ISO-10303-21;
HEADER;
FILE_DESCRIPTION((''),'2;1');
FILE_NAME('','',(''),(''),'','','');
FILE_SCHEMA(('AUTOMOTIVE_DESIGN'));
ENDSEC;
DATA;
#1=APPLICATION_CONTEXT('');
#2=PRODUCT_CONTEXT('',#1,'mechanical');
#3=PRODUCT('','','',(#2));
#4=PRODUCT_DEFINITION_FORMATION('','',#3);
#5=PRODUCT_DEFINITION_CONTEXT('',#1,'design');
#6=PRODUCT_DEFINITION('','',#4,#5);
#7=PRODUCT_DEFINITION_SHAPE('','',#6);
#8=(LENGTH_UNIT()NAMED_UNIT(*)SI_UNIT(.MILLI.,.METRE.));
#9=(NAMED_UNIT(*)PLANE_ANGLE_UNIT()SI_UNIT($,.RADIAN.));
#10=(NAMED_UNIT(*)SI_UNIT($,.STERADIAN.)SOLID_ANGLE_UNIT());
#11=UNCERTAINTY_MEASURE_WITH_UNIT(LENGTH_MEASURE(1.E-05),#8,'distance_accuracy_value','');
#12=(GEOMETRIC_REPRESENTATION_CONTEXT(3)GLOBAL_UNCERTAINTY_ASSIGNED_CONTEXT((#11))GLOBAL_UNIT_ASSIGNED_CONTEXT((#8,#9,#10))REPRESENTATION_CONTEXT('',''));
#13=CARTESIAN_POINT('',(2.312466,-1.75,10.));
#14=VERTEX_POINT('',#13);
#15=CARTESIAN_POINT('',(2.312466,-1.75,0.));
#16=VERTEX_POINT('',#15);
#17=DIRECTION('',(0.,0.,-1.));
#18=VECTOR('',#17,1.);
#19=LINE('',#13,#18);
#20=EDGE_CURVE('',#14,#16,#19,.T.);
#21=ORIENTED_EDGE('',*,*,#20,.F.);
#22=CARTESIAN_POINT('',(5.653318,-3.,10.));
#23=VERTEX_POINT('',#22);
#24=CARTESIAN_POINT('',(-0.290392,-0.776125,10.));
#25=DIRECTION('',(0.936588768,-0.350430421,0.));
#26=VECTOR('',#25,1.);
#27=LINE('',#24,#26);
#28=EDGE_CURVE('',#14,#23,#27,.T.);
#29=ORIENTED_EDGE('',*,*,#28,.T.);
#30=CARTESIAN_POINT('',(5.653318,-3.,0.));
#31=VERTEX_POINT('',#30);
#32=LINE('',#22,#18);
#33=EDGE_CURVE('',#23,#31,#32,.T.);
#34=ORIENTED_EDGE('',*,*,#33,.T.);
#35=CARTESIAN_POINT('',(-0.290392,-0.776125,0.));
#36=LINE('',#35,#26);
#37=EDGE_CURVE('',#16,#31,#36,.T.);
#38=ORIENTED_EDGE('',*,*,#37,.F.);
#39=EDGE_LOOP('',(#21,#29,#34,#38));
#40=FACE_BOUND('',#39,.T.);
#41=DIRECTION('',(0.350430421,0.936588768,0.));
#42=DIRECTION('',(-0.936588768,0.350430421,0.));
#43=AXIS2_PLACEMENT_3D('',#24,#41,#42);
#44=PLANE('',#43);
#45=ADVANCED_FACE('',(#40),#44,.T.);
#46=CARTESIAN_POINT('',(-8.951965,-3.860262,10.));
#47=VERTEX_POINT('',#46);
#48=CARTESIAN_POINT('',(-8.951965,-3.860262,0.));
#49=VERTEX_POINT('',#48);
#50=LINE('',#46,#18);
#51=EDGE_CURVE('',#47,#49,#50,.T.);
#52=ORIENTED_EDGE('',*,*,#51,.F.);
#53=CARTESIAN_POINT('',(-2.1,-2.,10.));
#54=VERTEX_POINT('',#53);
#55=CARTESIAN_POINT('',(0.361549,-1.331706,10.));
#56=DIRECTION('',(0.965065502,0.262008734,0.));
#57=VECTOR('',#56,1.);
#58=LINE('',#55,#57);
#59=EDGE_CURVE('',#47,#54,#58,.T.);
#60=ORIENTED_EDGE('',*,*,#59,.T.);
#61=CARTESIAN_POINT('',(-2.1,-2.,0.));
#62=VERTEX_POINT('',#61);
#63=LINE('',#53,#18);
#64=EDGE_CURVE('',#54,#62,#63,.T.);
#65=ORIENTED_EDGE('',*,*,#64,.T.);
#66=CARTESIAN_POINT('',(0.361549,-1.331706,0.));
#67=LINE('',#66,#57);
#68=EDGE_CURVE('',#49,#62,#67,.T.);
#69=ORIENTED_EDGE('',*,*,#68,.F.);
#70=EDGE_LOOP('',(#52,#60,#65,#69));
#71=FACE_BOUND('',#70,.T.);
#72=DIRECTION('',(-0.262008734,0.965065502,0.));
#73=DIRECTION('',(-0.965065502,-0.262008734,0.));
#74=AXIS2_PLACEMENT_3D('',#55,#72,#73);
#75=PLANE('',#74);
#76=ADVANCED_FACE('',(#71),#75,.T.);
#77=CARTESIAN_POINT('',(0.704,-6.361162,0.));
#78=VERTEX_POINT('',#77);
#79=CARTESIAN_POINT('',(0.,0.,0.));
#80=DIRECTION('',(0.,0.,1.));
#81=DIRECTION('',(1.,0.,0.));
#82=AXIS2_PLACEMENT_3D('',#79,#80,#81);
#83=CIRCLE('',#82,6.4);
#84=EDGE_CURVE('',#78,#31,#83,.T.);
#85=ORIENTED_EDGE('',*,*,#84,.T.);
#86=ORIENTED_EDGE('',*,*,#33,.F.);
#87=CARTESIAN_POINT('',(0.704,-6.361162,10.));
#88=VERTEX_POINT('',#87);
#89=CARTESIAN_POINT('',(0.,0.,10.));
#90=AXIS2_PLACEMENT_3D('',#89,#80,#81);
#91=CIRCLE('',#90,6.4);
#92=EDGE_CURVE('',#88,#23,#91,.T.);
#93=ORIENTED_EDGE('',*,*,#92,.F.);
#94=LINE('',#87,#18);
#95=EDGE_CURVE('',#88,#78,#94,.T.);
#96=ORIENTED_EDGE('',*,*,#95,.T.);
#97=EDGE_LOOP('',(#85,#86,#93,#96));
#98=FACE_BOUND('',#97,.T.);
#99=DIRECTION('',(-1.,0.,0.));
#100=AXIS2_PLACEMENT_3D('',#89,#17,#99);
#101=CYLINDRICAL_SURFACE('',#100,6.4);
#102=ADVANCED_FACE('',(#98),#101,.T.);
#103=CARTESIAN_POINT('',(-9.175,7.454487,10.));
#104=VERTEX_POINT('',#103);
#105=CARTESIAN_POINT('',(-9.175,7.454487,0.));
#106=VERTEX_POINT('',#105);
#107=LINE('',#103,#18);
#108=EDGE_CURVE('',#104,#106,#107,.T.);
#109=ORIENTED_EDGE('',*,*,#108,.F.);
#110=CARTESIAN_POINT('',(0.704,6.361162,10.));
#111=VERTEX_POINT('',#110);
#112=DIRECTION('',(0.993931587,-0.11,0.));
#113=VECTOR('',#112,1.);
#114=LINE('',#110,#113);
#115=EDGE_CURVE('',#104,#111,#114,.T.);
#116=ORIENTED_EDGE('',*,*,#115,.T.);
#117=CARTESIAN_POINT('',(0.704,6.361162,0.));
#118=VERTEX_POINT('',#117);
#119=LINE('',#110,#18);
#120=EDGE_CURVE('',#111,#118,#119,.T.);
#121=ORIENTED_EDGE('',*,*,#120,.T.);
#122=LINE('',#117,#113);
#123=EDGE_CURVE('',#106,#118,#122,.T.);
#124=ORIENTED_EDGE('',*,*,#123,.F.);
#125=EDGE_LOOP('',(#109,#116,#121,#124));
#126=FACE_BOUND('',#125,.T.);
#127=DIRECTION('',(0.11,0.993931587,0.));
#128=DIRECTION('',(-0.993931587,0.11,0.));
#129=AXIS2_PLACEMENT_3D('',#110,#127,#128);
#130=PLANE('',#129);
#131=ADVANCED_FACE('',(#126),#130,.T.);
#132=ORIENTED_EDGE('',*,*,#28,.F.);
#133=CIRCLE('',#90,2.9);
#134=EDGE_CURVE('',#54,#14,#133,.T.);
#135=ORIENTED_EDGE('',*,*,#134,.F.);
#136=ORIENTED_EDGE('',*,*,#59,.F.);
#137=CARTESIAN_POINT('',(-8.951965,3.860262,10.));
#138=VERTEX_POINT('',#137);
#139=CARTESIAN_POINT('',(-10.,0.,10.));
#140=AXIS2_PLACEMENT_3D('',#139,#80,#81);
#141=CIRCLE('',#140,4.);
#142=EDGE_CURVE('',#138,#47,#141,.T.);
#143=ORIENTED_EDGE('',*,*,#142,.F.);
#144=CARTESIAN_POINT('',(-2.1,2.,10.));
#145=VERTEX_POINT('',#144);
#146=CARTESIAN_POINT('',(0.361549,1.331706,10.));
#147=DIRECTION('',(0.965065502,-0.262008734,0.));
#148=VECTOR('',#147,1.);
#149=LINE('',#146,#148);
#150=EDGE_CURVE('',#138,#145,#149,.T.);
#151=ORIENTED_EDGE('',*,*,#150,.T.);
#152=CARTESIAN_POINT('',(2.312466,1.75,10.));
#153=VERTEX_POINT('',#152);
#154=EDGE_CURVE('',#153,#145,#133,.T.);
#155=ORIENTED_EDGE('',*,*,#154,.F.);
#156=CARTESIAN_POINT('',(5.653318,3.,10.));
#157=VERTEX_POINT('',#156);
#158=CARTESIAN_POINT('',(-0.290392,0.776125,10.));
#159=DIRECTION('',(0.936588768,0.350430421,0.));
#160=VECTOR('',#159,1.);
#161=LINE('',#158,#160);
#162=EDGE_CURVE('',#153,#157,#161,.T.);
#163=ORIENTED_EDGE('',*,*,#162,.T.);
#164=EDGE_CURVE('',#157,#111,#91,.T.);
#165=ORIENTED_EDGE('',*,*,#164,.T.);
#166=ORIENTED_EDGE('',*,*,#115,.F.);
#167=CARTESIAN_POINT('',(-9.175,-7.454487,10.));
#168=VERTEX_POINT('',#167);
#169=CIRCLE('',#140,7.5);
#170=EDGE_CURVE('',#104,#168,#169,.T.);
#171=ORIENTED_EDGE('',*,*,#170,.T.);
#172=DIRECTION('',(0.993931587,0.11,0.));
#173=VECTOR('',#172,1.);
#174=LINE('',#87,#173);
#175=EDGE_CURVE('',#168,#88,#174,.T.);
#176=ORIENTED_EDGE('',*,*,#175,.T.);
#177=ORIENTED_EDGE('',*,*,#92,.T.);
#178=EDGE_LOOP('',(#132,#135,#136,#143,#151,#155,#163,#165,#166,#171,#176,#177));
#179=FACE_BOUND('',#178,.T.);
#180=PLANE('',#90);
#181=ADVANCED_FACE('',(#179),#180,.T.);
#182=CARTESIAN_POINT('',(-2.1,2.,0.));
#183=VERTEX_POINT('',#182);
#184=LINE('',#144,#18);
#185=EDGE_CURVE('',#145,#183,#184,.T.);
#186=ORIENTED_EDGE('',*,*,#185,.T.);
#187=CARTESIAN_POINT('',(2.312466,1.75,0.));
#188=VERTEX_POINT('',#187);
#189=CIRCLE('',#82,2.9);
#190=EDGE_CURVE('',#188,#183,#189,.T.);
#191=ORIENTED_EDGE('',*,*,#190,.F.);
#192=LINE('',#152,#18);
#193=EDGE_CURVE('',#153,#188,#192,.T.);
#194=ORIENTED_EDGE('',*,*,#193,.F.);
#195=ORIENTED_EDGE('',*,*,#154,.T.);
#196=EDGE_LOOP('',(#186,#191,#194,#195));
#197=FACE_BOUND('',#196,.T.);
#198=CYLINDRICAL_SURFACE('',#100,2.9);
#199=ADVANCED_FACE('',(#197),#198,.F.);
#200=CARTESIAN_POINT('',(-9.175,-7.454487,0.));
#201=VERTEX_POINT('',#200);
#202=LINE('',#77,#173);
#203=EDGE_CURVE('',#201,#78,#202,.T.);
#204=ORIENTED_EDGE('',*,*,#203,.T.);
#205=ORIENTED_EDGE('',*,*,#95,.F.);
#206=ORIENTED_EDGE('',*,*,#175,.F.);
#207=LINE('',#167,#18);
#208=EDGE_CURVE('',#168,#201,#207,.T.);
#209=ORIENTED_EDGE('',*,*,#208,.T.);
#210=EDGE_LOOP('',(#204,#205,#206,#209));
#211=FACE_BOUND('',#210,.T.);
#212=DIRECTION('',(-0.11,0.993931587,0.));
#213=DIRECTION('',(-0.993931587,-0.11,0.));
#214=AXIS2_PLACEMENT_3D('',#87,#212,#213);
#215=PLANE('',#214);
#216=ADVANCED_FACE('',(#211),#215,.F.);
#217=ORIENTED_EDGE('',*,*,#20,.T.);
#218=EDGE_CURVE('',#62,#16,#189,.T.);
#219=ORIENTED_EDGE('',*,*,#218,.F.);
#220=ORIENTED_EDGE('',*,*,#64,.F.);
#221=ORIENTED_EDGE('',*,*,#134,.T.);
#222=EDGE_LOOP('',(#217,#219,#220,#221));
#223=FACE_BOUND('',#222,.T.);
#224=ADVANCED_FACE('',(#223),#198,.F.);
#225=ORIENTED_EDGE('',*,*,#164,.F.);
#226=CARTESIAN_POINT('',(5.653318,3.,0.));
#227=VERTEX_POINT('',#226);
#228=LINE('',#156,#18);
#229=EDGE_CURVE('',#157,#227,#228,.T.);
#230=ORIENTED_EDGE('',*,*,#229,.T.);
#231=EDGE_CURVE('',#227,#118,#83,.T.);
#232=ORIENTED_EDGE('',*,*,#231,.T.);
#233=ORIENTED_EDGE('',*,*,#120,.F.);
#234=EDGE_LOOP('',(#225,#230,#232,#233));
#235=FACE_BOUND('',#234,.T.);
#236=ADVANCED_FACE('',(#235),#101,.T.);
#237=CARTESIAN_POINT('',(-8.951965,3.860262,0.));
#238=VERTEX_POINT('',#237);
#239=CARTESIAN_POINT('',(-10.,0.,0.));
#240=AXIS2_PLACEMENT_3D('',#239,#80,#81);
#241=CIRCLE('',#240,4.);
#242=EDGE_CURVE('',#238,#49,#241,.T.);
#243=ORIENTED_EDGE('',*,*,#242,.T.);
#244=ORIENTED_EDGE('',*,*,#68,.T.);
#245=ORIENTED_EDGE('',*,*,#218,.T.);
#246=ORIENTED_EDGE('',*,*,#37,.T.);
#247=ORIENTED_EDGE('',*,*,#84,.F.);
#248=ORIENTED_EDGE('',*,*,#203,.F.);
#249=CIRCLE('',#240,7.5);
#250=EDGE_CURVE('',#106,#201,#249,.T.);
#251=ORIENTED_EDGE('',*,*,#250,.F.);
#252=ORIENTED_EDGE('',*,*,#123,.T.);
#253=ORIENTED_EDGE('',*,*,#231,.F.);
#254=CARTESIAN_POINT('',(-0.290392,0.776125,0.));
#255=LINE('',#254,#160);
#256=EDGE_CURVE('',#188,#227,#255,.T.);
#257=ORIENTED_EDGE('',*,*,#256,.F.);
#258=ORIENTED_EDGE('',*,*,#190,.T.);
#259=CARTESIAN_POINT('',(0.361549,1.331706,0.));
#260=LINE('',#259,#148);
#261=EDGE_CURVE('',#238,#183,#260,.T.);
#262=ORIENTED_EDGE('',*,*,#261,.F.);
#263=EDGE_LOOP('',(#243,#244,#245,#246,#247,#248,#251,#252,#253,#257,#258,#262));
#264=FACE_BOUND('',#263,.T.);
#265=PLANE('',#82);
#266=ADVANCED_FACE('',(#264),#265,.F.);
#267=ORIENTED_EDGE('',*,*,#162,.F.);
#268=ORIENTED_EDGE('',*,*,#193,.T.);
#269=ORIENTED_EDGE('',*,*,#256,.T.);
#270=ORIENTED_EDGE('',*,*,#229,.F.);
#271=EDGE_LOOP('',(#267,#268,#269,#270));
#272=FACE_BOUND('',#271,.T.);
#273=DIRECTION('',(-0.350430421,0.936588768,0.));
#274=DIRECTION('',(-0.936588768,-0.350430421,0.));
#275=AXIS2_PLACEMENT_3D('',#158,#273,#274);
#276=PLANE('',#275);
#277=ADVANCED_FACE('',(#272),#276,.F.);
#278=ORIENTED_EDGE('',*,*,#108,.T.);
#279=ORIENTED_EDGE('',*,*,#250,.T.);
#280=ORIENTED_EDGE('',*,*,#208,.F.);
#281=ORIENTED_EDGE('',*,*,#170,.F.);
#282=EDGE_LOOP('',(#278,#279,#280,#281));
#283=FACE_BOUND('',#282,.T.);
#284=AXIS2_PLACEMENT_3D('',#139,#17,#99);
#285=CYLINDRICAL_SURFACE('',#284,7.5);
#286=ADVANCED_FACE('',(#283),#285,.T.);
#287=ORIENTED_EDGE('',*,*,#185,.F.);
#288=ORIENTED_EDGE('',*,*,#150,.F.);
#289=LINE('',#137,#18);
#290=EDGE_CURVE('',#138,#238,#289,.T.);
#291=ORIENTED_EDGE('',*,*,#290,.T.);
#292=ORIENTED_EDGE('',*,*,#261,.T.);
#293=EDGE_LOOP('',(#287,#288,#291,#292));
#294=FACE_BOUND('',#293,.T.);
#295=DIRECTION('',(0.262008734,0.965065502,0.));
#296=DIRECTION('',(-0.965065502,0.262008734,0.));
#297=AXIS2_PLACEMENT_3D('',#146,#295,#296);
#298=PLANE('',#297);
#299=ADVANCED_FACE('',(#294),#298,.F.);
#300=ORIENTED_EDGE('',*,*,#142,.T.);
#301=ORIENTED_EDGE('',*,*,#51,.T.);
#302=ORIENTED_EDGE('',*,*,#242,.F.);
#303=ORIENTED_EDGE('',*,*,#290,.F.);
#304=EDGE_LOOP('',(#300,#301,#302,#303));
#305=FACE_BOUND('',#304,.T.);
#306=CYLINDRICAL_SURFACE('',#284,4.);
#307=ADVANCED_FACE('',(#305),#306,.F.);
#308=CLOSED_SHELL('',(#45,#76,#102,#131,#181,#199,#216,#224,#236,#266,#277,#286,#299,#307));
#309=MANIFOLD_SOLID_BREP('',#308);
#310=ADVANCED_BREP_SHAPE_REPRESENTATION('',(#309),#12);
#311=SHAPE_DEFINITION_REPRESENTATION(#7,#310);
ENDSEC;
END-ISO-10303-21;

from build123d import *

# Parameters (mm, degrees)
BOSS_EXTRU_1_DEPTH = 10


with BuildPart() as part:
    # Esquisse1 → Boss.-Extru.1 (new body)
    with BuildSketch(Plane.XY):
        with BuildLine():
            Line((0.704, 6.361162158), (-9.175, 7.454486904))
            ThreePointArc((-9.175, 7.454486904), (-17.5, 0), (-9.175, -7.454486904))
            Line((-9.175, -7.454486904), (0.704, -6.361162158))
            ThreePointArc((0.704, -6.361162158), (3.595584036, -5.294504267), (5.65331761, -3))
            Line((5.65331761, -3), (2.312466216, -1.75))
            ThreePointArc((2.312466216, -1.75), (0.16404412, -2.895356546), (-2.1, -2))
            Line((-2.1, -2), (-8.951965066, -3.860262009))
            ThreePointArc((-8.951965066, -3.860262009), (-14, 0), (-8.951965066, 3.860262009))
            Line((-8.951965066, 3.860262009), (-2.1, 2))
            ThreePointArc((-2.1, 2), (0.16404412, 2.895356546), (2.312466216, 1.75))
            Line((2.312466216, 1.75), (5.65331761, 3))
            ThreePointArc((5.65331761, 3), (3.595584036, 5.294504267), (0.704, 6.361162158))
        make_face()
    extrude(amount=BOSS_EXTRU_1_DEPTH)


solid = part.part
